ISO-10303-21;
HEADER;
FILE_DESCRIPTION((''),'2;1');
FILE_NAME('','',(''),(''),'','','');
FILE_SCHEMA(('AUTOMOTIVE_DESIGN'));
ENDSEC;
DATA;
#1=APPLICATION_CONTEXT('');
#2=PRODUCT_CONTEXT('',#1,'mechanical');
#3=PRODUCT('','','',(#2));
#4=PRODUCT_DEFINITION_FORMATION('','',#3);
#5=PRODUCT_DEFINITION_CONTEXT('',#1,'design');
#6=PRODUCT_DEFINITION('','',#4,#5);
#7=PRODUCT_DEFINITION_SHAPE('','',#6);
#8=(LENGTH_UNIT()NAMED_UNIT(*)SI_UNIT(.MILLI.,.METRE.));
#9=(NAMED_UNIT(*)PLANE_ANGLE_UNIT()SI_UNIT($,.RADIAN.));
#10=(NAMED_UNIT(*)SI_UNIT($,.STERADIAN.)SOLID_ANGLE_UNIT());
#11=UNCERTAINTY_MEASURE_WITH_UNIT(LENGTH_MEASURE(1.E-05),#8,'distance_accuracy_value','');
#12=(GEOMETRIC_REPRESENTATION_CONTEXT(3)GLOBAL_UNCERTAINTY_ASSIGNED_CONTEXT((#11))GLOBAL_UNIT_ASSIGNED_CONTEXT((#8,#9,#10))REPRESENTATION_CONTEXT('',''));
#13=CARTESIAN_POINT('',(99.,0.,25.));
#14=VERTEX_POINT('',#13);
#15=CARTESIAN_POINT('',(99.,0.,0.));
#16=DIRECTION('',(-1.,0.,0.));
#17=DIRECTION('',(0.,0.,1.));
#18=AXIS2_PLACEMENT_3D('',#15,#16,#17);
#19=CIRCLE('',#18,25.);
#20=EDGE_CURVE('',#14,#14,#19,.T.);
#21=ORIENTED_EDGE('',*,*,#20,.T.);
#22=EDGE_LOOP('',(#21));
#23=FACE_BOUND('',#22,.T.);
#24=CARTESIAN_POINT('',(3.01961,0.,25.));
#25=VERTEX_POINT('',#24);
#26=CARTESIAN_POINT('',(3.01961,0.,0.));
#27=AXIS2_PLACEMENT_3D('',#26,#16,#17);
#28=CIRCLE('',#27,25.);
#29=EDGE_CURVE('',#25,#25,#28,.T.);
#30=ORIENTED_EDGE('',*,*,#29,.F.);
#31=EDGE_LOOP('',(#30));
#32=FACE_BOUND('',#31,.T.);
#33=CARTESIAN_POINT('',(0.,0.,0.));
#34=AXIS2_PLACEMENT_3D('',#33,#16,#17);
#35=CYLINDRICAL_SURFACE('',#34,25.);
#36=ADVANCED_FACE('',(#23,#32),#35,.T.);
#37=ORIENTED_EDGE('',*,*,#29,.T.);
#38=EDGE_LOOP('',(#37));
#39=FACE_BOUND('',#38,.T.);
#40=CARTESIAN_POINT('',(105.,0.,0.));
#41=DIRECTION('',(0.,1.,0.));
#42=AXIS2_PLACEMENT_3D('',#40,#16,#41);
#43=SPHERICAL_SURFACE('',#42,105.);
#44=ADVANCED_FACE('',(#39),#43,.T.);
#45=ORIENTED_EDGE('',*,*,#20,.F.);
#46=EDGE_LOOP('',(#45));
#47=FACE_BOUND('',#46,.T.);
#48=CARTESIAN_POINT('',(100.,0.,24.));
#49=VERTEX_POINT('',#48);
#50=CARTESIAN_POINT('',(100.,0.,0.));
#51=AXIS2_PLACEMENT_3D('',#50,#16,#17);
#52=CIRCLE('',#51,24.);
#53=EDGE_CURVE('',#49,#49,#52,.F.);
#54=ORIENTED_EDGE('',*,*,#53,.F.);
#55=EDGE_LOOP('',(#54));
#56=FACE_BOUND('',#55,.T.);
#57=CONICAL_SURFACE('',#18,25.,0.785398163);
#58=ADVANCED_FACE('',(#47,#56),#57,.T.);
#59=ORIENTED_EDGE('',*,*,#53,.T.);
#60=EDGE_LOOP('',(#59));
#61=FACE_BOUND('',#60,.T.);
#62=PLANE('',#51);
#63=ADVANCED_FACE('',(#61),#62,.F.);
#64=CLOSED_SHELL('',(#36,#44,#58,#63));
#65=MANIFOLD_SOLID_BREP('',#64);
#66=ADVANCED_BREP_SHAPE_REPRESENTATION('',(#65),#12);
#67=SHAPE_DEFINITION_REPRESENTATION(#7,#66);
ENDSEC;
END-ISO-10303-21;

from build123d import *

# Parameters (mm, degrees)
CHAMFER1_SIZE = 1


with BuildPart() as part:
    # Sketch1 → Revolve1 (revolve)
    with BuildSketch(Plane.XY, mode=Mode.PRIVATE) as revolve1_sk:
        with BuildLine():
            ThreePointArc((3.019609728, 25), (0.757635823, 12.590850278), (0, 0))
            Line((0, 0), (100, 0))
            Line((100, 0), (100, 25))
            Line((100, 25), (3.019609728, 25))
        make_face()
    revolve(revolve1_sk.sketch.rotate(Axis((0, 0, 0), (1, 0, 0)), 90), axis=Axis((0, 0, 0), (1, 0, 0)))

    # Chamfer1
    chamfer1_edges = [part.edges().sort_by_distance(p)[0] for p in [
        (100, 0, -25),
    ]]
    chamfer(chamfer1_edges, length=CHAMFER1_SIZE)


solid = part.part
